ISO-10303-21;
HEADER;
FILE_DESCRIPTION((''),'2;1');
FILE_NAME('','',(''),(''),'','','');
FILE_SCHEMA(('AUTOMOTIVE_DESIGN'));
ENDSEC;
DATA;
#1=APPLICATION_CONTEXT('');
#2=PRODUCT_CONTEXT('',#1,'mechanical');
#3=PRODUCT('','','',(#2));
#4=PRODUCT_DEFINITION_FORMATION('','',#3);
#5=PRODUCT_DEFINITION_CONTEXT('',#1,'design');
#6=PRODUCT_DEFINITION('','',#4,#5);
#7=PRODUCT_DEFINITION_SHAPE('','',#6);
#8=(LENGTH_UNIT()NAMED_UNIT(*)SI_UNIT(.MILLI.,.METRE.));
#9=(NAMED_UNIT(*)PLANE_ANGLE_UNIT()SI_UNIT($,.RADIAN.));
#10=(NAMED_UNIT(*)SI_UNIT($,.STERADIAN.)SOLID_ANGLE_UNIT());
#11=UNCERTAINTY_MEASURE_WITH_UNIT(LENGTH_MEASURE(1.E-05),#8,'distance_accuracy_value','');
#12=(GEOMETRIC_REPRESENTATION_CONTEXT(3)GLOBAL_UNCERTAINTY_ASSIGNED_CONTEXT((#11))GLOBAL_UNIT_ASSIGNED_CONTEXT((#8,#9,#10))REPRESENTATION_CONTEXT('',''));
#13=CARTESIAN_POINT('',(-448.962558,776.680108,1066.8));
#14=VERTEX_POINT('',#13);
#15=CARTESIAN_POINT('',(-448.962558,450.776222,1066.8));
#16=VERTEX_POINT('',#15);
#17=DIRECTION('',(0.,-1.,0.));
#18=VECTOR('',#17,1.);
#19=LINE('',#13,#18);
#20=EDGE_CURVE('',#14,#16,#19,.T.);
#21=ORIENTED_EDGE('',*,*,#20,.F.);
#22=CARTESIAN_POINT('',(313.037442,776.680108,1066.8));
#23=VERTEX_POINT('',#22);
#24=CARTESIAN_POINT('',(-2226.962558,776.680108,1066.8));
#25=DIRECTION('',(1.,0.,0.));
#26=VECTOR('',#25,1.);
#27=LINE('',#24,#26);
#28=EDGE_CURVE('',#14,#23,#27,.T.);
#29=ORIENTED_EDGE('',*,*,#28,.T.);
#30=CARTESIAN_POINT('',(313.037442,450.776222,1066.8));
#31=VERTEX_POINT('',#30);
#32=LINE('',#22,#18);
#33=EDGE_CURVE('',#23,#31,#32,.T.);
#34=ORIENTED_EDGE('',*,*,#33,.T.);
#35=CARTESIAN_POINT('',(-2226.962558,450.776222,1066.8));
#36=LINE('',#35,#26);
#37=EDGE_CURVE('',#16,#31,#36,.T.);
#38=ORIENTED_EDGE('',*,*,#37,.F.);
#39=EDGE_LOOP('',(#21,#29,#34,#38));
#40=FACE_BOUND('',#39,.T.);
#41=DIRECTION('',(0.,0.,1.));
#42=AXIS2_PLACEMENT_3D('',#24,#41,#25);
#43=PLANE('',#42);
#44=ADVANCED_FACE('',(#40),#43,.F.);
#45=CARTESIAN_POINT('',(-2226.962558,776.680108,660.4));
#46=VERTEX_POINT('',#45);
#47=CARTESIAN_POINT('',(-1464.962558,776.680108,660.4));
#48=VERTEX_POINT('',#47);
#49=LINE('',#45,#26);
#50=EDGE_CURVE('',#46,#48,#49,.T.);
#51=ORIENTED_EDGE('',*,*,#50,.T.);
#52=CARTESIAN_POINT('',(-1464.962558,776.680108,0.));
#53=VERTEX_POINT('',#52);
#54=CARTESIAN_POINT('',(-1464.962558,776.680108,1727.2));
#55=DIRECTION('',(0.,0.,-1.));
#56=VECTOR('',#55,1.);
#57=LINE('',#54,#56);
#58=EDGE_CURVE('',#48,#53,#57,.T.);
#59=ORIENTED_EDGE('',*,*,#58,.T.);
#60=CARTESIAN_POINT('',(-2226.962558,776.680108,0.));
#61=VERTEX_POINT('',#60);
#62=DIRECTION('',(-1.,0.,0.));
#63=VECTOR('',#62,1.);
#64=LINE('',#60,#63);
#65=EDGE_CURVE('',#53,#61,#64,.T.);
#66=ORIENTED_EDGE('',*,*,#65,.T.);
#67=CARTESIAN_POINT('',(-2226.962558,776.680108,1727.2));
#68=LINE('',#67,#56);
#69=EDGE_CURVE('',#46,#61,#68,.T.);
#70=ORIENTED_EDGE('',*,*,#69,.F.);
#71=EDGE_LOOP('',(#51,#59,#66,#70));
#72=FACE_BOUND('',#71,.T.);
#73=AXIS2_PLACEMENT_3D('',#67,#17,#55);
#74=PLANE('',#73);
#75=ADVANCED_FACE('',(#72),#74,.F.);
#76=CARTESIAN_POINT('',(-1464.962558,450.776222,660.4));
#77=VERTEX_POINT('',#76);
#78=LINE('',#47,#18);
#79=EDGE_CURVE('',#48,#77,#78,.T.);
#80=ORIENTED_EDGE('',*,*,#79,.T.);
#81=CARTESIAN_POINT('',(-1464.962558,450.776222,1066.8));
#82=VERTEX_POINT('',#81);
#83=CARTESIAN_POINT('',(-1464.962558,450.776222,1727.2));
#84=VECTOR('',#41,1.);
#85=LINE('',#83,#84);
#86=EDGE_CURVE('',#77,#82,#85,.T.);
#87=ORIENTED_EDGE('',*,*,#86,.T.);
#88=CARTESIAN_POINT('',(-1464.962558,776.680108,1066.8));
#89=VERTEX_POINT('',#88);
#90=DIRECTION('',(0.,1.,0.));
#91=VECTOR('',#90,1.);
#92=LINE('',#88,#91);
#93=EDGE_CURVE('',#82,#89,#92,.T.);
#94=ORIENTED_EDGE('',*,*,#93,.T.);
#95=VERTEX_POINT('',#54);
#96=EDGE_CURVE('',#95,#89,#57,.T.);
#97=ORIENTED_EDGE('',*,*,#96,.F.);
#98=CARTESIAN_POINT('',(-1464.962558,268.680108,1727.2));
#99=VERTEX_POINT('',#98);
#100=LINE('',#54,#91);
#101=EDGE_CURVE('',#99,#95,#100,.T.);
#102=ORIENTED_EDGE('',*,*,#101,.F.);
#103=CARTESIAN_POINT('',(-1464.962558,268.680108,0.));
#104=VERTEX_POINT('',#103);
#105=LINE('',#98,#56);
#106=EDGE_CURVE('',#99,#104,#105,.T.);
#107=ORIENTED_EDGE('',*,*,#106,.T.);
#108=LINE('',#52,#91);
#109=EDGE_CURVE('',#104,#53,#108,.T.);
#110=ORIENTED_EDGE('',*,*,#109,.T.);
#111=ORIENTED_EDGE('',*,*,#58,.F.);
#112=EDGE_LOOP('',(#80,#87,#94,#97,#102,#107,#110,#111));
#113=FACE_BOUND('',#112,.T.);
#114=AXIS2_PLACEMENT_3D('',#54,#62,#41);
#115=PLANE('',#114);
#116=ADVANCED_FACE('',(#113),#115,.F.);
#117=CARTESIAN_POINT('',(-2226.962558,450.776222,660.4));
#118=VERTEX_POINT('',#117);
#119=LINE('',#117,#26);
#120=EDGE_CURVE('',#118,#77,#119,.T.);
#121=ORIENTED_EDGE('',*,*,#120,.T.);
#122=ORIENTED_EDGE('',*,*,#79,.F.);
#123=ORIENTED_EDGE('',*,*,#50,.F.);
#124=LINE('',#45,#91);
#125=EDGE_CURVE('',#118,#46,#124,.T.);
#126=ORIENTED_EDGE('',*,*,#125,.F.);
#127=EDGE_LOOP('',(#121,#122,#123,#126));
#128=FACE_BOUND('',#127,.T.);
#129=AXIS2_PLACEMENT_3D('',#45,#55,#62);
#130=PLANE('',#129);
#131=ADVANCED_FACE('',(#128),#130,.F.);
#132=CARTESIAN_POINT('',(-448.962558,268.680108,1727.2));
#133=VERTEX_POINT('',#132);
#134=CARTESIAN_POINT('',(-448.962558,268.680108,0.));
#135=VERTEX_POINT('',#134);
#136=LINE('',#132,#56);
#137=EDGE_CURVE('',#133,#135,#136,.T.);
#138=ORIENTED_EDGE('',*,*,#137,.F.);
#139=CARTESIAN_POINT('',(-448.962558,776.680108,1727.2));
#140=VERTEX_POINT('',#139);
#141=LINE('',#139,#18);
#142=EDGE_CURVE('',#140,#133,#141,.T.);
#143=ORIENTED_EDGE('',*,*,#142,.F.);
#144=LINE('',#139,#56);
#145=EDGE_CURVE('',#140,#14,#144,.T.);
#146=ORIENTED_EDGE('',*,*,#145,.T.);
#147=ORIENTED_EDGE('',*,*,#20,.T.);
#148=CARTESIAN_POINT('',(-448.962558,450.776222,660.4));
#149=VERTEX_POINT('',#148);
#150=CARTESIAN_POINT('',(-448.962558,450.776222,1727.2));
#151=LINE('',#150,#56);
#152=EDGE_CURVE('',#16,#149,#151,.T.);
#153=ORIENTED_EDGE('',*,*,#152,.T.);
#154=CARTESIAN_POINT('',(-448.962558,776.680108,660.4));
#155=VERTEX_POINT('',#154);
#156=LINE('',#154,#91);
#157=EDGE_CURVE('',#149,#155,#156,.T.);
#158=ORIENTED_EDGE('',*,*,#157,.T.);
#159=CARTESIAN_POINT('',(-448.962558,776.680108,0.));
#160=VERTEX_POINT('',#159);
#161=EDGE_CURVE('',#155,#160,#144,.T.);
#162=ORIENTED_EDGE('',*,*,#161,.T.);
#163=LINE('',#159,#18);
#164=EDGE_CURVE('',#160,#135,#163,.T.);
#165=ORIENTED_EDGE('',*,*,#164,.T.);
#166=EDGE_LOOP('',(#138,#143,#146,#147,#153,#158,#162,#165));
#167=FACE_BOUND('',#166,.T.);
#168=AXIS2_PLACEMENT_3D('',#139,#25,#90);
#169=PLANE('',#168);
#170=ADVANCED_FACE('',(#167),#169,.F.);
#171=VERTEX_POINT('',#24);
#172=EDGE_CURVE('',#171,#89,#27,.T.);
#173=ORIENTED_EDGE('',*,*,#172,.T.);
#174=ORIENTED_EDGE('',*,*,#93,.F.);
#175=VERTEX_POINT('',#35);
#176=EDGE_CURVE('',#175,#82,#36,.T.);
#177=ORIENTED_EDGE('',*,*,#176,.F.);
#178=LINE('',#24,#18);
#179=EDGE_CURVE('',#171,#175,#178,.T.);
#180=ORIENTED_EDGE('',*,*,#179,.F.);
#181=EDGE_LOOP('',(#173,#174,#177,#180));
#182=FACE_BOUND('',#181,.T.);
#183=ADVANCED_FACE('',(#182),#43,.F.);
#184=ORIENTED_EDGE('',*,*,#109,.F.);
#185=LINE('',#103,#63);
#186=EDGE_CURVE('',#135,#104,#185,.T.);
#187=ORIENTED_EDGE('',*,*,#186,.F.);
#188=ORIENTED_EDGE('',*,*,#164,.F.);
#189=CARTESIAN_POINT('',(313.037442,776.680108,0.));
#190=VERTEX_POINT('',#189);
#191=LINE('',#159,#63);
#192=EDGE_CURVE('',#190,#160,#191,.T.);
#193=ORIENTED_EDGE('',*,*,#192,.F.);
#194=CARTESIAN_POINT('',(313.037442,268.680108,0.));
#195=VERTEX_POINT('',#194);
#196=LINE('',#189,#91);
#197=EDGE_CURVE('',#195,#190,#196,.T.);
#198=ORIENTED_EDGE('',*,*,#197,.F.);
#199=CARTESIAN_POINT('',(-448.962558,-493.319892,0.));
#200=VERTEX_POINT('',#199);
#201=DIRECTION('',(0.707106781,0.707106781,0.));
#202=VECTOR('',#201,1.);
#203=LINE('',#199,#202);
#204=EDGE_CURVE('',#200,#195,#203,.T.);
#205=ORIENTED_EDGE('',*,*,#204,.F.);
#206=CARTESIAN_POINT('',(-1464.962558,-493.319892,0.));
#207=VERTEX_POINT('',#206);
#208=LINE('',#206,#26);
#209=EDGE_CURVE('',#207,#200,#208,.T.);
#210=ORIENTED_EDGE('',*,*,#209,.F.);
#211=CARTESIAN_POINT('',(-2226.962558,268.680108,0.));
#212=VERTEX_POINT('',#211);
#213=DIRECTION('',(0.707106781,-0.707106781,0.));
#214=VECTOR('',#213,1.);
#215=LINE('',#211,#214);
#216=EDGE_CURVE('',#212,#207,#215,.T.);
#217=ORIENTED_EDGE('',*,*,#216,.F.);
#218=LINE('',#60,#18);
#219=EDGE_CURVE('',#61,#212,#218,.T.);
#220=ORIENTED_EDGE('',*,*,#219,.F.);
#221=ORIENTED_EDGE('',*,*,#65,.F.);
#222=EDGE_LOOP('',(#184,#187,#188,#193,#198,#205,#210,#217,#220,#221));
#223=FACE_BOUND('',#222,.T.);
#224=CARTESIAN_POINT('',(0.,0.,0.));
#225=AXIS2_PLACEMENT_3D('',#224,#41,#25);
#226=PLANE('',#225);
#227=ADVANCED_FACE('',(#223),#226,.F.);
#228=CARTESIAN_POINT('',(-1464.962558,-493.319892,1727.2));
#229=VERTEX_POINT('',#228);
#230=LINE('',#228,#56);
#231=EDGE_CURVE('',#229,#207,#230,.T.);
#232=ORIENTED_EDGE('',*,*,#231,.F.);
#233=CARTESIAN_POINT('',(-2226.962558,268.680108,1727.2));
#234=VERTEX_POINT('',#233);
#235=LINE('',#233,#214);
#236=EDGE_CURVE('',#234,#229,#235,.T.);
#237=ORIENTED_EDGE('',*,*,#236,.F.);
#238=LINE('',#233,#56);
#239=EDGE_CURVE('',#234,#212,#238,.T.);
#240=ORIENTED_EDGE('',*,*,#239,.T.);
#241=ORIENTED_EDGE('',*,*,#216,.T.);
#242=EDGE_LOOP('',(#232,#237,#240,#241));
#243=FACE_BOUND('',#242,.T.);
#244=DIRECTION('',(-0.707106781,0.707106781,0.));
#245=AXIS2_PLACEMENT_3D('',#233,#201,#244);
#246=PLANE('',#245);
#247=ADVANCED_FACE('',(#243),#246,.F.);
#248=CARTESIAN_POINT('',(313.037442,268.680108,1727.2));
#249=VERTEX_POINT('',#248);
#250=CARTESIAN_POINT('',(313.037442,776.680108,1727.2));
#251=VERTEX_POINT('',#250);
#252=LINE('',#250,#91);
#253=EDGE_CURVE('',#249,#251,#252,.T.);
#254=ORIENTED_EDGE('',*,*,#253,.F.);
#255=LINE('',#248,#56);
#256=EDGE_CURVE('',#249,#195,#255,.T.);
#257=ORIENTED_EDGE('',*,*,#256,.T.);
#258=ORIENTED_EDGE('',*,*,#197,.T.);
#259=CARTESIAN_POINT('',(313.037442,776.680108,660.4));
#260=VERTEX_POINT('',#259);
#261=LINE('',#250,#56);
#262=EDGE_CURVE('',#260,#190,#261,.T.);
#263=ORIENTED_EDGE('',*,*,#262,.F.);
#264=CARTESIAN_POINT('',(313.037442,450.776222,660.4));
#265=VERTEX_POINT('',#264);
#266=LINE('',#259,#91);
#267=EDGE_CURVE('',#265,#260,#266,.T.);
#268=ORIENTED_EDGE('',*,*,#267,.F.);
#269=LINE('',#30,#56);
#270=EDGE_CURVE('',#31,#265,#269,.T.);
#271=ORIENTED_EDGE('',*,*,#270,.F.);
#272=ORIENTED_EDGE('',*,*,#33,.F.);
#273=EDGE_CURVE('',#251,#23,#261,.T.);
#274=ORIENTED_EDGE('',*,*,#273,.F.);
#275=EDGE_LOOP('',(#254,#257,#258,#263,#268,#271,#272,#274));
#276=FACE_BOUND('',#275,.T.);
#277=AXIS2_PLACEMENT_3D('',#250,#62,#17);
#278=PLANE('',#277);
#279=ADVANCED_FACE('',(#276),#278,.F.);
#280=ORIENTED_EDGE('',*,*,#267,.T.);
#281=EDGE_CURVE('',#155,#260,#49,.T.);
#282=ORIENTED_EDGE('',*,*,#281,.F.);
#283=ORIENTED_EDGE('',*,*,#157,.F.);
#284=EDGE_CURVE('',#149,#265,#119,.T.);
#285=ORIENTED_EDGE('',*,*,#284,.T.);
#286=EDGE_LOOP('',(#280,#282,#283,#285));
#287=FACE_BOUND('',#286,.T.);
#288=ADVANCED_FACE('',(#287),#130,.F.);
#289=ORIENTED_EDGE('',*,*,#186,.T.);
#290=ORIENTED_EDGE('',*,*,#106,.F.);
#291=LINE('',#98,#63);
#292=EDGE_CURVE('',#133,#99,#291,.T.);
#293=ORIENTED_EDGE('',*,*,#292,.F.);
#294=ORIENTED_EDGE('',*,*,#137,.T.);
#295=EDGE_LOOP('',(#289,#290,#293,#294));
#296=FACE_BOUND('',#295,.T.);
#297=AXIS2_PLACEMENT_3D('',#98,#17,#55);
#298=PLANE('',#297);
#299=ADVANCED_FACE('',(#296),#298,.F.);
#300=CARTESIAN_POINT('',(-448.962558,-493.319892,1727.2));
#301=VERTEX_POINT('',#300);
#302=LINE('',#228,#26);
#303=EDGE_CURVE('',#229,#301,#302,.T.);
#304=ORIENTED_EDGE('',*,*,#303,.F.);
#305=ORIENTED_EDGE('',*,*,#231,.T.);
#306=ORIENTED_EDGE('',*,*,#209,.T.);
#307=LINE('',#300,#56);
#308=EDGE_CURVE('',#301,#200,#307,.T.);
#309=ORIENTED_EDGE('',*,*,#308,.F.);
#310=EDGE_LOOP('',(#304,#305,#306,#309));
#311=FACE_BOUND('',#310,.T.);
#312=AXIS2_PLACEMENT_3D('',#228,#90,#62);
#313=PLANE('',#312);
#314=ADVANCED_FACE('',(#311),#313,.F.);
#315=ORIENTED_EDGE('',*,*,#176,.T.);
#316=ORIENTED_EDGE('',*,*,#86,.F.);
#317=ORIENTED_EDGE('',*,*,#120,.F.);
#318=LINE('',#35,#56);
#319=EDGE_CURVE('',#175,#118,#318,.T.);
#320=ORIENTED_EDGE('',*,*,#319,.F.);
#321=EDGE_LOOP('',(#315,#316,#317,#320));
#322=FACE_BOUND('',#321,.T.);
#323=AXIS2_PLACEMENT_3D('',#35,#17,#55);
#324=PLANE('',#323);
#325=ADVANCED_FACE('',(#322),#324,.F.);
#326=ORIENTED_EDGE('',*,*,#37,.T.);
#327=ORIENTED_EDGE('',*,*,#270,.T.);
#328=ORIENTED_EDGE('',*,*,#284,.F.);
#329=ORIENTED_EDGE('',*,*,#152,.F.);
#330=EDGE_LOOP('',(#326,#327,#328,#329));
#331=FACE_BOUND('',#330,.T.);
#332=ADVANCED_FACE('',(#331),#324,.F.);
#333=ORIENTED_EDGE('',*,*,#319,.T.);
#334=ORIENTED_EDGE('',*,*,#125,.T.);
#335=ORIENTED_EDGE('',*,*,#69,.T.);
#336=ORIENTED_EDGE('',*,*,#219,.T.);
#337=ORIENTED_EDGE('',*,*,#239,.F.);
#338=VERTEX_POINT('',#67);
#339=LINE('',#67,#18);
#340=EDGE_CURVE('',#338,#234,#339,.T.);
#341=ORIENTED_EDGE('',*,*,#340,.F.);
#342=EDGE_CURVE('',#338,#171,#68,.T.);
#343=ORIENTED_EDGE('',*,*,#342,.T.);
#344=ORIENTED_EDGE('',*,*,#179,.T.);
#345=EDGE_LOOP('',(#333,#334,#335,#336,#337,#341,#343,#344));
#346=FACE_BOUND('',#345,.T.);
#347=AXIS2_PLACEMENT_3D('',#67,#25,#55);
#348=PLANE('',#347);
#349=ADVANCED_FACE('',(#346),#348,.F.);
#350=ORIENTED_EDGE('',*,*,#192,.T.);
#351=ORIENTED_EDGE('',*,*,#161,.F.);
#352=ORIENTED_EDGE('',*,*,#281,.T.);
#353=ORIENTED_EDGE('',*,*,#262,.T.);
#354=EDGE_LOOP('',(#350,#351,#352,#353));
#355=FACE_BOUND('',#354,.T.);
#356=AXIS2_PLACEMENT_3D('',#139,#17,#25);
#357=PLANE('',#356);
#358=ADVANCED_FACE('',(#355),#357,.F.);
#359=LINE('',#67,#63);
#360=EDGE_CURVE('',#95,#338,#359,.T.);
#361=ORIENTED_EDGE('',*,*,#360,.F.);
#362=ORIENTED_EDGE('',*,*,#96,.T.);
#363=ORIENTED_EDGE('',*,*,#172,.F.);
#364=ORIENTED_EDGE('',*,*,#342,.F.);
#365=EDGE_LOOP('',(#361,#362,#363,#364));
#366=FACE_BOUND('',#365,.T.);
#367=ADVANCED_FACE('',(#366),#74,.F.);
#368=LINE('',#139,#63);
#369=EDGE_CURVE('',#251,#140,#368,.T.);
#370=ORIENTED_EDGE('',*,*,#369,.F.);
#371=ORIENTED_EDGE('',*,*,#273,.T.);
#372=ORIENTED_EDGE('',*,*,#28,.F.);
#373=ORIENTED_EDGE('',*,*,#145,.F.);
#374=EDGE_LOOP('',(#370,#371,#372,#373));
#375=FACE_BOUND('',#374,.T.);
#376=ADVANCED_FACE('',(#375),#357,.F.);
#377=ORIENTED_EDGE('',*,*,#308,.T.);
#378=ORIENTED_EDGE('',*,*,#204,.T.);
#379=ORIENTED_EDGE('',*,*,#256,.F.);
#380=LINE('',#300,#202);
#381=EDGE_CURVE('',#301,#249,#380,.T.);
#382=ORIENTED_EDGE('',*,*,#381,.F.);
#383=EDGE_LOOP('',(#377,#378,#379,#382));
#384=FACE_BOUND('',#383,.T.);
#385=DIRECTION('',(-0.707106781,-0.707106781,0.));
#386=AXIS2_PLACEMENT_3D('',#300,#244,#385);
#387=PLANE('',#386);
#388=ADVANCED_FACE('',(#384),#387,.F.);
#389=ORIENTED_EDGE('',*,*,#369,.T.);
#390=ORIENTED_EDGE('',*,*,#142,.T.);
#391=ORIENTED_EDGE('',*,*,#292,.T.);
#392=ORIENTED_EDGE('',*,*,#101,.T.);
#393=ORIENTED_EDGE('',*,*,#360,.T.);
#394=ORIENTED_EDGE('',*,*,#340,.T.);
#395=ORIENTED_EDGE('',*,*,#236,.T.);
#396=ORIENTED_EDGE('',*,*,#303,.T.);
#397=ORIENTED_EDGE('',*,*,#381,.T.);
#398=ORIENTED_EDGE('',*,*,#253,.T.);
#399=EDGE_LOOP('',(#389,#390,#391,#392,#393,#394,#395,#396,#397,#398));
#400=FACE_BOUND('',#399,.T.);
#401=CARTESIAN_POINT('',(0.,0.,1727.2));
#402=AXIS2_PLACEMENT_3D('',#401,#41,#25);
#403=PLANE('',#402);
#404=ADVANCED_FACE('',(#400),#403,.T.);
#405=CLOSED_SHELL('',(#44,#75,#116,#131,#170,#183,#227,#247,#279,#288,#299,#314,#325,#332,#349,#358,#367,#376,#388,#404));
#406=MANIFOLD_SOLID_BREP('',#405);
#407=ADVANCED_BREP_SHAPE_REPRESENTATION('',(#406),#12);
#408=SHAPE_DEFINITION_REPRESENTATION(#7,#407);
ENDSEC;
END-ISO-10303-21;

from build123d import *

# Parameters (mm, degrees)
Y_KSEKLIK_EKSTR_ZYON1_DEPTH = 1727.2
IZIM2_W                     = 406.4
IZIM2_H                     = 325.903885585
KES_EKSTR_ZYON1_DEPTH       = 3169.288470046


with BuildPart() as part:
    # Çizim1 → Yükseklik-Ekstrüzyon1 (new body)
    with BuildSketch(Plane.XY):
        Polygon((-448.962557604, 776.680107527), (313.037442396, 776.680107527), (313.037442396, 268.680107527), (-448.962557604, -493.319892473), (-1464.962557604, -493.319892473), (-2226.962557604, 268.680107527), (-2226.962557604, 776.680107527), (-1464.962557604, 776.680107527), (-1464.962557604, 268.680107527), (-448.962557604, 268.680107527), align=None)
    extrude(amount=Y_KSEKLIK_EKSTR_ZYON1_DEPTH)

    # Çizim2 → Kes-Ekstrüzyon1 (cut, through all)
    with BuildSketch(Plane(origin=(313.037442396, 0, 0), x_dir=(0, 0, -1), z_dir=(1, 0, 0))):
        with Locations((-863.6, 613.728164735)):
            Rectangle(IZIM2_W, IZIM2_H)
    extrude(amount=-KES_EKSTR_ZYON1_DEPTH, mode=Mode.SUBTRACT)


solid = part.part
